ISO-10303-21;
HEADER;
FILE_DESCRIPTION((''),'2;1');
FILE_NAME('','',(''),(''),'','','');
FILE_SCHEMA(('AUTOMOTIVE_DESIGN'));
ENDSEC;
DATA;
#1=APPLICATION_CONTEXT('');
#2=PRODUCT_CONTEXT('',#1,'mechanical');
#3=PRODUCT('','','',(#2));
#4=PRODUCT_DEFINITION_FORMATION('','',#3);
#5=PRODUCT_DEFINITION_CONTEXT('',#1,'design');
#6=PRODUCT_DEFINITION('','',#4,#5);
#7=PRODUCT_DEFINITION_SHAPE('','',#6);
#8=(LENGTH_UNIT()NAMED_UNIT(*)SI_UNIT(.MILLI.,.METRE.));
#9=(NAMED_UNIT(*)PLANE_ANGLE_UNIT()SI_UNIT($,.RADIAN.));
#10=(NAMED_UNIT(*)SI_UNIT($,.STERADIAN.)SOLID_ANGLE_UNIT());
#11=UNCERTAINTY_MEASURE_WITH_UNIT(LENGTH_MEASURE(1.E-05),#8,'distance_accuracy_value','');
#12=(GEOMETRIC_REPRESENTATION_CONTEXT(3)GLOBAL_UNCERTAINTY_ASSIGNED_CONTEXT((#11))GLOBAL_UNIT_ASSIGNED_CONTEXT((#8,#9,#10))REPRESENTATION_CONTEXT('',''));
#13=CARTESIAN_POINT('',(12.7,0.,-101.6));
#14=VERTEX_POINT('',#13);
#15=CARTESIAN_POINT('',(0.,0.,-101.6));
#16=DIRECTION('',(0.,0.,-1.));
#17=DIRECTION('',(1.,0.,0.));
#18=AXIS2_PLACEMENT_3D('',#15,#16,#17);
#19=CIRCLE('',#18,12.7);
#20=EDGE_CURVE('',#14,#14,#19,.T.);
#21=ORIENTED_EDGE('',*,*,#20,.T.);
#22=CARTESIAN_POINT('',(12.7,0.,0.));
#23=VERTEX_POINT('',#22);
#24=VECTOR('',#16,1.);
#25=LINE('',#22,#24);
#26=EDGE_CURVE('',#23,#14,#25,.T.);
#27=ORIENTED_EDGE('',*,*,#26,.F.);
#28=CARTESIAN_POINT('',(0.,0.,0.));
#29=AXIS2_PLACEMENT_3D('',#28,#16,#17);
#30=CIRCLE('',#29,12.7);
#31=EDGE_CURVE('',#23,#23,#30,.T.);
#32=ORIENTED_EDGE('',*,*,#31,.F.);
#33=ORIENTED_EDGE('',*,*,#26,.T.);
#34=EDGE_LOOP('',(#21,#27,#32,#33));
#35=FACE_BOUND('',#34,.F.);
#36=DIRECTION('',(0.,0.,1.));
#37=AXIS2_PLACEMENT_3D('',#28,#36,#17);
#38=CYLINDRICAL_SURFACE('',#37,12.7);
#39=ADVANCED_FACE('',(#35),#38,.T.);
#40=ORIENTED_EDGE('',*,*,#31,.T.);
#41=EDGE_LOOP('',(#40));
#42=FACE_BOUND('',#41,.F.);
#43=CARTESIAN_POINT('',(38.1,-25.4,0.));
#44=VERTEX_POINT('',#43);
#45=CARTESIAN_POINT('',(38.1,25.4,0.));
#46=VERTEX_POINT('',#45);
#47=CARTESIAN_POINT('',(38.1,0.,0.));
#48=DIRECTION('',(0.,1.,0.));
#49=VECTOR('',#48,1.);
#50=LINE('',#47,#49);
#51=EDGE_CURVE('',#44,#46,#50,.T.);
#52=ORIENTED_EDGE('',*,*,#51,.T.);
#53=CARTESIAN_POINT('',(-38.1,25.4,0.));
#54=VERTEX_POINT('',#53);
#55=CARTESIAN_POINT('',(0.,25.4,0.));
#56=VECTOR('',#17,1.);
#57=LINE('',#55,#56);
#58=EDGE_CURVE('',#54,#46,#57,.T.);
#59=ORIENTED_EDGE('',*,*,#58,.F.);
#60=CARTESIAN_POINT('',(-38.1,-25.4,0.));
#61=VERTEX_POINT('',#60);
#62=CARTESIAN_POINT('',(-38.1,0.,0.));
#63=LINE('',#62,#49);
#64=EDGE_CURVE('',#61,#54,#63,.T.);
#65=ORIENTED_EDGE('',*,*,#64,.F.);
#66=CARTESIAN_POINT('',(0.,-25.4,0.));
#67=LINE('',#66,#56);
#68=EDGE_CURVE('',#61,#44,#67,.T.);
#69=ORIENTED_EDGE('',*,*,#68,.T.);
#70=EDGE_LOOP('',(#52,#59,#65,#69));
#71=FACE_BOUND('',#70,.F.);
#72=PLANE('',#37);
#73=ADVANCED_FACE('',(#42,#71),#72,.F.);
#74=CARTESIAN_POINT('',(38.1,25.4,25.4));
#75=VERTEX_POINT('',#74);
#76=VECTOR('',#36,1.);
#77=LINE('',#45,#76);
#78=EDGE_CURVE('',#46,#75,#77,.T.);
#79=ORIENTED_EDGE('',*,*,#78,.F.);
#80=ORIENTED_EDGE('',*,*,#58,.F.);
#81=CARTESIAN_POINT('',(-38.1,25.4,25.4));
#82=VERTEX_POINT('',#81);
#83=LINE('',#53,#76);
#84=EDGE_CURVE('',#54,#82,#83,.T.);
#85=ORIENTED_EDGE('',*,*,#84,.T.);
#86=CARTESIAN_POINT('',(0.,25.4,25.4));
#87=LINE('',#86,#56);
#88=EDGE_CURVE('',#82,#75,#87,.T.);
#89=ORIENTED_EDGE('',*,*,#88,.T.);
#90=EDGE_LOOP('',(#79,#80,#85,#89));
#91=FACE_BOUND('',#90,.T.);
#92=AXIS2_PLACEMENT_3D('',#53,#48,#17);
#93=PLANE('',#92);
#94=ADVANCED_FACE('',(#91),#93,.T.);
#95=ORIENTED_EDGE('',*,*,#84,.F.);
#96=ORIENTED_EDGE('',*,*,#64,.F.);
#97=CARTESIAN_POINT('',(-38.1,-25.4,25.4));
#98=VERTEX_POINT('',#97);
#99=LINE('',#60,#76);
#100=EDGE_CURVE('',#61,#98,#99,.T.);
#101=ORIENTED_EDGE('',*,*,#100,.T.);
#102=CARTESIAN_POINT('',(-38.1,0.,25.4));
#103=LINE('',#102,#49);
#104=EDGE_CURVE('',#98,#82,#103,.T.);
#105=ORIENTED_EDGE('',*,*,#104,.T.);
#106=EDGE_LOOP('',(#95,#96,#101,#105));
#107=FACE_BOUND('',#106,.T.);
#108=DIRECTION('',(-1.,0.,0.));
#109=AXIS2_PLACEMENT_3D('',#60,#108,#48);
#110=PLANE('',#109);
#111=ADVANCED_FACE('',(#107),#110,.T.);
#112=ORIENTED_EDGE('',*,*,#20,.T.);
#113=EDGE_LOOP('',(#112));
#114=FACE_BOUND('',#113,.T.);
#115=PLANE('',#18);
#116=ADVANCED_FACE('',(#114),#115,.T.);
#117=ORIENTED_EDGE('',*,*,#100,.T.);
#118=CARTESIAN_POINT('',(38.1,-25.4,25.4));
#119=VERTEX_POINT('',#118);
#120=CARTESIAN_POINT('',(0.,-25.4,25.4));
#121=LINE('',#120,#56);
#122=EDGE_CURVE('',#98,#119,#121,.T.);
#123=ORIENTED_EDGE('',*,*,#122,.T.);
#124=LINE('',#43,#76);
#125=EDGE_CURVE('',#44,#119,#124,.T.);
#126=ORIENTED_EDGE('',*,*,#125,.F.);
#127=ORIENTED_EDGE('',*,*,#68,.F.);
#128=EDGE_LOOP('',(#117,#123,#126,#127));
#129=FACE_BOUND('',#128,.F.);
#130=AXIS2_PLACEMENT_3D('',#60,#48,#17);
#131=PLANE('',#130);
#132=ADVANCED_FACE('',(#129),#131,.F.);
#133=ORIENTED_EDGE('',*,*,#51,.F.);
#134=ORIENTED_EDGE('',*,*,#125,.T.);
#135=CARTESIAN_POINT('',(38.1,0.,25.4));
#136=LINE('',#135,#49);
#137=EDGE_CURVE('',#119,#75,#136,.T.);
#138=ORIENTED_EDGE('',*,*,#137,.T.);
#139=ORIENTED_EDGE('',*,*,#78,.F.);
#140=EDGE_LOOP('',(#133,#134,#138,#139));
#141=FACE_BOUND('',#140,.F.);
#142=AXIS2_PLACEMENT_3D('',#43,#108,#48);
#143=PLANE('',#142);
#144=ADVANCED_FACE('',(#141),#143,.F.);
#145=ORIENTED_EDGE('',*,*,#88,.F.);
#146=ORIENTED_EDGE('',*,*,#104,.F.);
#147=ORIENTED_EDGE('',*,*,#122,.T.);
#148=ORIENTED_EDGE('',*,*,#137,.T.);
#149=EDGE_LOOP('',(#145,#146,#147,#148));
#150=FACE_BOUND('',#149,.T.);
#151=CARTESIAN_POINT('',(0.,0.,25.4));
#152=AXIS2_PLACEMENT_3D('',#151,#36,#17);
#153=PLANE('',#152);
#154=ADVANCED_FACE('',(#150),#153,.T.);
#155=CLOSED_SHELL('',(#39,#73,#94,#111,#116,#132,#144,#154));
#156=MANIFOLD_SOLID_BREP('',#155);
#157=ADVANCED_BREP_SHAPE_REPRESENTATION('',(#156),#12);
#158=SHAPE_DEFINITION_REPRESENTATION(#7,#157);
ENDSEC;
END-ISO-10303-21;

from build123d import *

# Parameters (mm, degrees)
F0_W     = 76.2
F0_H     = 50.8
F1_DEPTH = 25.4
F2_R     = 12.7
F3_DEPTH = 101.6


with BuildPart() as f1:
    # F0 (on Top) → F1 (new body)
    with BuildSketch(Plane.XY):
        Rectangle(F0_W, F0_H)
    extrude(amount=F1_DEPTH)

    # F2 (on face) → F3 (join)
    with BuildSketch(Plane(origin=(0, 0, 0), x_dir=(1, 0, 0), z_dir=(0, 0, -1))):
        Circle(F2_R)
    extrude(amount=F3_DEPTH)


solid = f1.part
